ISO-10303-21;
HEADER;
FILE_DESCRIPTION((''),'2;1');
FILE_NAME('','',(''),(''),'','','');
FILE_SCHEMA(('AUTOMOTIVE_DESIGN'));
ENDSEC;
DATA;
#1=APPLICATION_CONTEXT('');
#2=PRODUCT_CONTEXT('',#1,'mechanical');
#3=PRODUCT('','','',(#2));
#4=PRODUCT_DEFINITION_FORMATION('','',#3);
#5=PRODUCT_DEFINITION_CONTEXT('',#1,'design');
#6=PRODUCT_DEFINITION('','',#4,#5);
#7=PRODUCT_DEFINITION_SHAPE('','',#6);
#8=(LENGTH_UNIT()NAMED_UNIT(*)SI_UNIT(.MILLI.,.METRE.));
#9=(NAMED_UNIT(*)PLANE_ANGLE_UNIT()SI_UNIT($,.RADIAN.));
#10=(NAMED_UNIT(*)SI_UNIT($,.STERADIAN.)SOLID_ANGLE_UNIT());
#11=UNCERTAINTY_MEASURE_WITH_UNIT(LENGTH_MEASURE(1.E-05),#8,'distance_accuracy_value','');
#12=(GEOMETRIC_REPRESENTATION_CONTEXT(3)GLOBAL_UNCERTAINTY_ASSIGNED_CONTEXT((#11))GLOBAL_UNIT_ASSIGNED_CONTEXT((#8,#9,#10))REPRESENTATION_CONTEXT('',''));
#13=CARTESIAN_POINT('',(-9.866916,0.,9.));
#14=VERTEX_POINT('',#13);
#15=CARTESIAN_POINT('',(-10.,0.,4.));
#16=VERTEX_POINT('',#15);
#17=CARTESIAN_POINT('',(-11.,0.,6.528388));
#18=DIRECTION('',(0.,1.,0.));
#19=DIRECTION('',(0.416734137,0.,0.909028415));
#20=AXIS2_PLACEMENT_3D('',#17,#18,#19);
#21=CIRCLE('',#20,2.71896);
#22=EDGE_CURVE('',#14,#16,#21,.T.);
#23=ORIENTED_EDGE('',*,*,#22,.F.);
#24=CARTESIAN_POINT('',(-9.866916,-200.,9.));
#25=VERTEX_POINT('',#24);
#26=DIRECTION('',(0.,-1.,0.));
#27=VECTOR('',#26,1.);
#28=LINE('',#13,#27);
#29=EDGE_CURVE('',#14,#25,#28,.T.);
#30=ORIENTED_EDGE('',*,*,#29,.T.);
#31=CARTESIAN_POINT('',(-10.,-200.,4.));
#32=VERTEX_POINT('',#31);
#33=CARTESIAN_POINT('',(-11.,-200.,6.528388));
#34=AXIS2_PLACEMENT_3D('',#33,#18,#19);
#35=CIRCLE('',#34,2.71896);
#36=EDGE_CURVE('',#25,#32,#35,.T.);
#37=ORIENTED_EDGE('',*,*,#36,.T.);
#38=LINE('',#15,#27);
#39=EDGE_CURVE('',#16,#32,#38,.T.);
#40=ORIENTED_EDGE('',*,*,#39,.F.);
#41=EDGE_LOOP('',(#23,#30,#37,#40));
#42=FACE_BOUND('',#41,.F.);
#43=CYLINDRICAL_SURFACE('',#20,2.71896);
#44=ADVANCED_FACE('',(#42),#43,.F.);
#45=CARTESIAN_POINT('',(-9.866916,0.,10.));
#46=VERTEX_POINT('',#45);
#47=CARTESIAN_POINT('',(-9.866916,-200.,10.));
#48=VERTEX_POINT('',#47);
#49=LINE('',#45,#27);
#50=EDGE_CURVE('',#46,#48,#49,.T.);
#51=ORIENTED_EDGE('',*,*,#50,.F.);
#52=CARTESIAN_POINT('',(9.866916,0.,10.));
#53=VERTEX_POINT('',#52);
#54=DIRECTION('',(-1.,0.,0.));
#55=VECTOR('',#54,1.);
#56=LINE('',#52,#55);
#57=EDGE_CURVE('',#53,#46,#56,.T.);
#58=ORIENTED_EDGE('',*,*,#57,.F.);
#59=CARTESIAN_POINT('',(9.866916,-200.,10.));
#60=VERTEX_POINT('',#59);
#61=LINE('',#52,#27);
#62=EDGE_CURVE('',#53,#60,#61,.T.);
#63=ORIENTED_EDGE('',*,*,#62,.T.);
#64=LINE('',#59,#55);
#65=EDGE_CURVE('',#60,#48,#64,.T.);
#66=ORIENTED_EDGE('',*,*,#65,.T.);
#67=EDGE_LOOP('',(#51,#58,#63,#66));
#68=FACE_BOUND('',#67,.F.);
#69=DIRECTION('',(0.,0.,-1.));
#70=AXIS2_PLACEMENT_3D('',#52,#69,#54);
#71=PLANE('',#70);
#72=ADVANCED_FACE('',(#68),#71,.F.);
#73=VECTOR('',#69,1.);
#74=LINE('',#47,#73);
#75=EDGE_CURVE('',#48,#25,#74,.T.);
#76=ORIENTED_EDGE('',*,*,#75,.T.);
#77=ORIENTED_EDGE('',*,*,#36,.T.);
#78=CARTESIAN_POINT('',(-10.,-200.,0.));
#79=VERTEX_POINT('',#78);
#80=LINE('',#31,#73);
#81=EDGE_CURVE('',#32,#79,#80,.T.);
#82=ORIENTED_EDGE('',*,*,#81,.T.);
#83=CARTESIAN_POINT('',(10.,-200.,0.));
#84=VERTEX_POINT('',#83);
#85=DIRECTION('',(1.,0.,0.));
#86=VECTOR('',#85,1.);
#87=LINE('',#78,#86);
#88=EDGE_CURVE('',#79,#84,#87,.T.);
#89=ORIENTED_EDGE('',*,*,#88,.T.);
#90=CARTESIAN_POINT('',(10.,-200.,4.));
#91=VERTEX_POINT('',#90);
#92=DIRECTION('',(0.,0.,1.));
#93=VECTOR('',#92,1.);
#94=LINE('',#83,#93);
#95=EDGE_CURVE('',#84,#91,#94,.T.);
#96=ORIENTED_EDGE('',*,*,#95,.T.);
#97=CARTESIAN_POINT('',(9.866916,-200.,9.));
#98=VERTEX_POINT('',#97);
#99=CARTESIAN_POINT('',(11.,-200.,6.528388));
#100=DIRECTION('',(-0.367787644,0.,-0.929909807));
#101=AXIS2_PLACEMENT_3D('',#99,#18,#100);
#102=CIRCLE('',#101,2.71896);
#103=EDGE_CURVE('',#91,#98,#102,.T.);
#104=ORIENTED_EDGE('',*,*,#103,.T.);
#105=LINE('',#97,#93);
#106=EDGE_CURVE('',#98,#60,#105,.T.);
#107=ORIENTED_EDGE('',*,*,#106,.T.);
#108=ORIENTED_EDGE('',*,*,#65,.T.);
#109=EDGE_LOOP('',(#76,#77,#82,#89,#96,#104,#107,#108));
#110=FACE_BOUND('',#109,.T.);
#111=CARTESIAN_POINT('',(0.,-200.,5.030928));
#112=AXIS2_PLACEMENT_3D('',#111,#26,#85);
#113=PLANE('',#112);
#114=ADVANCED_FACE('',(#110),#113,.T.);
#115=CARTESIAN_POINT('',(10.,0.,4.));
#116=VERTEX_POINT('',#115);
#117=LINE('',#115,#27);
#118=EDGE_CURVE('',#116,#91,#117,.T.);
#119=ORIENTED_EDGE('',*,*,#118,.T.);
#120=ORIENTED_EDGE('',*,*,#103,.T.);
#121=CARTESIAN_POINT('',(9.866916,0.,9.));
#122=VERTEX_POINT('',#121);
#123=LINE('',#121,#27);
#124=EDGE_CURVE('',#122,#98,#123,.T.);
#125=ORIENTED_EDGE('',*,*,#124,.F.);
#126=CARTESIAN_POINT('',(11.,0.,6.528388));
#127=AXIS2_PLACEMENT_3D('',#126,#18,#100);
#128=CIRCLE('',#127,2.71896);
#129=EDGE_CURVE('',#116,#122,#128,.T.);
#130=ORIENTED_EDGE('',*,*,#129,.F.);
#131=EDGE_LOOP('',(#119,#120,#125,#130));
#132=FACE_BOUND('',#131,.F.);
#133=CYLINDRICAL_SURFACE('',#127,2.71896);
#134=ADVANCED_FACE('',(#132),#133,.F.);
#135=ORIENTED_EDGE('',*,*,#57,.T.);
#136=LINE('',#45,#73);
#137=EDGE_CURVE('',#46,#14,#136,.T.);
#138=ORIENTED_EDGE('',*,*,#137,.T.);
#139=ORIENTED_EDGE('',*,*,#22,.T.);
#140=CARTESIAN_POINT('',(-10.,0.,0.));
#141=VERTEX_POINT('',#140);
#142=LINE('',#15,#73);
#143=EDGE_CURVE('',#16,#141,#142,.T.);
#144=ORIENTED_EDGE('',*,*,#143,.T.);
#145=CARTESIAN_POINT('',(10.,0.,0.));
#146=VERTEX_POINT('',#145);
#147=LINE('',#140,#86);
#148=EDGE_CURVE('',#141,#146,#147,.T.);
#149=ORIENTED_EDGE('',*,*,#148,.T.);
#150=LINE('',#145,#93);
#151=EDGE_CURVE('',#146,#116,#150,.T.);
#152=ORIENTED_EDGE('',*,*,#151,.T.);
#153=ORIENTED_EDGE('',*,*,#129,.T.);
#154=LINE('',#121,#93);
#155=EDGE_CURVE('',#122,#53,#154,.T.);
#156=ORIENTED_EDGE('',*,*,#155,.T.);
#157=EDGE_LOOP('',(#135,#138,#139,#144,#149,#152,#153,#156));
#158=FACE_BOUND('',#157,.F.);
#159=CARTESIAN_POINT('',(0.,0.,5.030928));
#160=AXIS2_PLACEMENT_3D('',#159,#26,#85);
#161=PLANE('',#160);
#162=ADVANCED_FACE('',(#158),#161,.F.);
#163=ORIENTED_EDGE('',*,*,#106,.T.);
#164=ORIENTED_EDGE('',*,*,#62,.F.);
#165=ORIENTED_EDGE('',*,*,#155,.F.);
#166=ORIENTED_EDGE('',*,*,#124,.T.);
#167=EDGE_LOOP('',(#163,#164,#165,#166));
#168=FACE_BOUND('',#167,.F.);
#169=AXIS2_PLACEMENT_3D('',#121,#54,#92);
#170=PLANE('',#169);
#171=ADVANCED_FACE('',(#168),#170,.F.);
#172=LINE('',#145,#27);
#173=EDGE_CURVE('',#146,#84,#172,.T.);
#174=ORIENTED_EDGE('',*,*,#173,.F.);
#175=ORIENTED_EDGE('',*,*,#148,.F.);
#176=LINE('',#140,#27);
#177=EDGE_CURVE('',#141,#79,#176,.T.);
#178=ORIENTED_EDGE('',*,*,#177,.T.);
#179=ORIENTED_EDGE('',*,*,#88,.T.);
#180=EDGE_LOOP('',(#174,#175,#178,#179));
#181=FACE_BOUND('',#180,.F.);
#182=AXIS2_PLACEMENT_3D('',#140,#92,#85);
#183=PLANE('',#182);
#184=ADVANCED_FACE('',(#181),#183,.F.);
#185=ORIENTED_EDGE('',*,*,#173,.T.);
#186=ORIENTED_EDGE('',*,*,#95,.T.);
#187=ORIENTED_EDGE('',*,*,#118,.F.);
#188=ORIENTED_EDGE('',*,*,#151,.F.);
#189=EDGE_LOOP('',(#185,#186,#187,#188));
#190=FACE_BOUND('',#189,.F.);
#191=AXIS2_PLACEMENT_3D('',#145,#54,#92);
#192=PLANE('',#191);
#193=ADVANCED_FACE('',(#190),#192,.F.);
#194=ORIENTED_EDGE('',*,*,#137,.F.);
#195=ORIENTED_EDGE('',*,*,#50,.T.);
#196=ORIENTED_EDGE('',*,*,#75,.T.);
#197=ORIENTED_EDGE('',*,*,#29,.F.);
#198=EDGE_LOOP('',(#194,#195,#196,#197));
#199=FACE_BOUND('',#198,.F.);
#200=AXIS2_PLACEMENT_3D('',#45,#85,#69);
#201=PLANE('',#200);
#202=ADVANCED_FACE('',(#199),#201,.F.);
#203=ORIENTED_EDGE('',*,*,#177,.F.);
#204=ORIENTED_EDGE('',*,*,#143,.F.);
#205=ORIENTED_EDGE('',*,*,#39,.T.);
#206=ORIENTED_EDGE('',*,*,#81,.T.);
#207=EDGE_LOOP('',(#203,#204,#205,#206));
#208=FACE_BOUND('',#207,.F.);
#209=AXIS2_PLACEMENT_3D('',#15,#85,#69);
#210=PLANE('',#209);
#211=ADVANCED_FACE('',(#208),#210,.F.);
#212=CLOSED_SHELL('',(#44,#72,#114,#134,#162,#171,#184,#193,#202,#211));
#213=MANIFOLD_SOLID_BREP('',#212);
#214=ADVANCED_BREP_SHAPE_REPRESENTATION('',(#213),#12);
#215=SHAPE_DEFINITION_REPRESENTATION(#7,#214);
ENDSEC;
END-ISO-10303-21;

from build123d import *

# Parameters (mm, degrees)
F2_DEPTH = 200


with BuildPart() as f2:
    # F0 (on Front) → F2 (new body)
    with BuildSketch(Plane.XZ):
        with BuildLine():
            Line((-10, 0), (0, 0))
            Line((0, 0), (10, 0))
            Line((10, 0), (10, 4))
            ThreePointArc((10, 4), (8.2820023216, 6.4560436706), (9.8669164293, 9))
            Line((9.8669164293, 9), (9.8669164293, 10))
            Line((9.8669164293, 10), (0, 10))
            Line((0, 10), (-9.8669164293, 10))
            Line((-9.8669164293, 10), (-9.8669164293, 9))
            ThreePointArc((-9.8669164293, 9), (-8.2820023216, 6.4560436706), (-10, 4))
            Line((-10, 4), (-10, 0))
        make_face()
    extrude(amount=F2_DEPTH)


solid = f2.part
